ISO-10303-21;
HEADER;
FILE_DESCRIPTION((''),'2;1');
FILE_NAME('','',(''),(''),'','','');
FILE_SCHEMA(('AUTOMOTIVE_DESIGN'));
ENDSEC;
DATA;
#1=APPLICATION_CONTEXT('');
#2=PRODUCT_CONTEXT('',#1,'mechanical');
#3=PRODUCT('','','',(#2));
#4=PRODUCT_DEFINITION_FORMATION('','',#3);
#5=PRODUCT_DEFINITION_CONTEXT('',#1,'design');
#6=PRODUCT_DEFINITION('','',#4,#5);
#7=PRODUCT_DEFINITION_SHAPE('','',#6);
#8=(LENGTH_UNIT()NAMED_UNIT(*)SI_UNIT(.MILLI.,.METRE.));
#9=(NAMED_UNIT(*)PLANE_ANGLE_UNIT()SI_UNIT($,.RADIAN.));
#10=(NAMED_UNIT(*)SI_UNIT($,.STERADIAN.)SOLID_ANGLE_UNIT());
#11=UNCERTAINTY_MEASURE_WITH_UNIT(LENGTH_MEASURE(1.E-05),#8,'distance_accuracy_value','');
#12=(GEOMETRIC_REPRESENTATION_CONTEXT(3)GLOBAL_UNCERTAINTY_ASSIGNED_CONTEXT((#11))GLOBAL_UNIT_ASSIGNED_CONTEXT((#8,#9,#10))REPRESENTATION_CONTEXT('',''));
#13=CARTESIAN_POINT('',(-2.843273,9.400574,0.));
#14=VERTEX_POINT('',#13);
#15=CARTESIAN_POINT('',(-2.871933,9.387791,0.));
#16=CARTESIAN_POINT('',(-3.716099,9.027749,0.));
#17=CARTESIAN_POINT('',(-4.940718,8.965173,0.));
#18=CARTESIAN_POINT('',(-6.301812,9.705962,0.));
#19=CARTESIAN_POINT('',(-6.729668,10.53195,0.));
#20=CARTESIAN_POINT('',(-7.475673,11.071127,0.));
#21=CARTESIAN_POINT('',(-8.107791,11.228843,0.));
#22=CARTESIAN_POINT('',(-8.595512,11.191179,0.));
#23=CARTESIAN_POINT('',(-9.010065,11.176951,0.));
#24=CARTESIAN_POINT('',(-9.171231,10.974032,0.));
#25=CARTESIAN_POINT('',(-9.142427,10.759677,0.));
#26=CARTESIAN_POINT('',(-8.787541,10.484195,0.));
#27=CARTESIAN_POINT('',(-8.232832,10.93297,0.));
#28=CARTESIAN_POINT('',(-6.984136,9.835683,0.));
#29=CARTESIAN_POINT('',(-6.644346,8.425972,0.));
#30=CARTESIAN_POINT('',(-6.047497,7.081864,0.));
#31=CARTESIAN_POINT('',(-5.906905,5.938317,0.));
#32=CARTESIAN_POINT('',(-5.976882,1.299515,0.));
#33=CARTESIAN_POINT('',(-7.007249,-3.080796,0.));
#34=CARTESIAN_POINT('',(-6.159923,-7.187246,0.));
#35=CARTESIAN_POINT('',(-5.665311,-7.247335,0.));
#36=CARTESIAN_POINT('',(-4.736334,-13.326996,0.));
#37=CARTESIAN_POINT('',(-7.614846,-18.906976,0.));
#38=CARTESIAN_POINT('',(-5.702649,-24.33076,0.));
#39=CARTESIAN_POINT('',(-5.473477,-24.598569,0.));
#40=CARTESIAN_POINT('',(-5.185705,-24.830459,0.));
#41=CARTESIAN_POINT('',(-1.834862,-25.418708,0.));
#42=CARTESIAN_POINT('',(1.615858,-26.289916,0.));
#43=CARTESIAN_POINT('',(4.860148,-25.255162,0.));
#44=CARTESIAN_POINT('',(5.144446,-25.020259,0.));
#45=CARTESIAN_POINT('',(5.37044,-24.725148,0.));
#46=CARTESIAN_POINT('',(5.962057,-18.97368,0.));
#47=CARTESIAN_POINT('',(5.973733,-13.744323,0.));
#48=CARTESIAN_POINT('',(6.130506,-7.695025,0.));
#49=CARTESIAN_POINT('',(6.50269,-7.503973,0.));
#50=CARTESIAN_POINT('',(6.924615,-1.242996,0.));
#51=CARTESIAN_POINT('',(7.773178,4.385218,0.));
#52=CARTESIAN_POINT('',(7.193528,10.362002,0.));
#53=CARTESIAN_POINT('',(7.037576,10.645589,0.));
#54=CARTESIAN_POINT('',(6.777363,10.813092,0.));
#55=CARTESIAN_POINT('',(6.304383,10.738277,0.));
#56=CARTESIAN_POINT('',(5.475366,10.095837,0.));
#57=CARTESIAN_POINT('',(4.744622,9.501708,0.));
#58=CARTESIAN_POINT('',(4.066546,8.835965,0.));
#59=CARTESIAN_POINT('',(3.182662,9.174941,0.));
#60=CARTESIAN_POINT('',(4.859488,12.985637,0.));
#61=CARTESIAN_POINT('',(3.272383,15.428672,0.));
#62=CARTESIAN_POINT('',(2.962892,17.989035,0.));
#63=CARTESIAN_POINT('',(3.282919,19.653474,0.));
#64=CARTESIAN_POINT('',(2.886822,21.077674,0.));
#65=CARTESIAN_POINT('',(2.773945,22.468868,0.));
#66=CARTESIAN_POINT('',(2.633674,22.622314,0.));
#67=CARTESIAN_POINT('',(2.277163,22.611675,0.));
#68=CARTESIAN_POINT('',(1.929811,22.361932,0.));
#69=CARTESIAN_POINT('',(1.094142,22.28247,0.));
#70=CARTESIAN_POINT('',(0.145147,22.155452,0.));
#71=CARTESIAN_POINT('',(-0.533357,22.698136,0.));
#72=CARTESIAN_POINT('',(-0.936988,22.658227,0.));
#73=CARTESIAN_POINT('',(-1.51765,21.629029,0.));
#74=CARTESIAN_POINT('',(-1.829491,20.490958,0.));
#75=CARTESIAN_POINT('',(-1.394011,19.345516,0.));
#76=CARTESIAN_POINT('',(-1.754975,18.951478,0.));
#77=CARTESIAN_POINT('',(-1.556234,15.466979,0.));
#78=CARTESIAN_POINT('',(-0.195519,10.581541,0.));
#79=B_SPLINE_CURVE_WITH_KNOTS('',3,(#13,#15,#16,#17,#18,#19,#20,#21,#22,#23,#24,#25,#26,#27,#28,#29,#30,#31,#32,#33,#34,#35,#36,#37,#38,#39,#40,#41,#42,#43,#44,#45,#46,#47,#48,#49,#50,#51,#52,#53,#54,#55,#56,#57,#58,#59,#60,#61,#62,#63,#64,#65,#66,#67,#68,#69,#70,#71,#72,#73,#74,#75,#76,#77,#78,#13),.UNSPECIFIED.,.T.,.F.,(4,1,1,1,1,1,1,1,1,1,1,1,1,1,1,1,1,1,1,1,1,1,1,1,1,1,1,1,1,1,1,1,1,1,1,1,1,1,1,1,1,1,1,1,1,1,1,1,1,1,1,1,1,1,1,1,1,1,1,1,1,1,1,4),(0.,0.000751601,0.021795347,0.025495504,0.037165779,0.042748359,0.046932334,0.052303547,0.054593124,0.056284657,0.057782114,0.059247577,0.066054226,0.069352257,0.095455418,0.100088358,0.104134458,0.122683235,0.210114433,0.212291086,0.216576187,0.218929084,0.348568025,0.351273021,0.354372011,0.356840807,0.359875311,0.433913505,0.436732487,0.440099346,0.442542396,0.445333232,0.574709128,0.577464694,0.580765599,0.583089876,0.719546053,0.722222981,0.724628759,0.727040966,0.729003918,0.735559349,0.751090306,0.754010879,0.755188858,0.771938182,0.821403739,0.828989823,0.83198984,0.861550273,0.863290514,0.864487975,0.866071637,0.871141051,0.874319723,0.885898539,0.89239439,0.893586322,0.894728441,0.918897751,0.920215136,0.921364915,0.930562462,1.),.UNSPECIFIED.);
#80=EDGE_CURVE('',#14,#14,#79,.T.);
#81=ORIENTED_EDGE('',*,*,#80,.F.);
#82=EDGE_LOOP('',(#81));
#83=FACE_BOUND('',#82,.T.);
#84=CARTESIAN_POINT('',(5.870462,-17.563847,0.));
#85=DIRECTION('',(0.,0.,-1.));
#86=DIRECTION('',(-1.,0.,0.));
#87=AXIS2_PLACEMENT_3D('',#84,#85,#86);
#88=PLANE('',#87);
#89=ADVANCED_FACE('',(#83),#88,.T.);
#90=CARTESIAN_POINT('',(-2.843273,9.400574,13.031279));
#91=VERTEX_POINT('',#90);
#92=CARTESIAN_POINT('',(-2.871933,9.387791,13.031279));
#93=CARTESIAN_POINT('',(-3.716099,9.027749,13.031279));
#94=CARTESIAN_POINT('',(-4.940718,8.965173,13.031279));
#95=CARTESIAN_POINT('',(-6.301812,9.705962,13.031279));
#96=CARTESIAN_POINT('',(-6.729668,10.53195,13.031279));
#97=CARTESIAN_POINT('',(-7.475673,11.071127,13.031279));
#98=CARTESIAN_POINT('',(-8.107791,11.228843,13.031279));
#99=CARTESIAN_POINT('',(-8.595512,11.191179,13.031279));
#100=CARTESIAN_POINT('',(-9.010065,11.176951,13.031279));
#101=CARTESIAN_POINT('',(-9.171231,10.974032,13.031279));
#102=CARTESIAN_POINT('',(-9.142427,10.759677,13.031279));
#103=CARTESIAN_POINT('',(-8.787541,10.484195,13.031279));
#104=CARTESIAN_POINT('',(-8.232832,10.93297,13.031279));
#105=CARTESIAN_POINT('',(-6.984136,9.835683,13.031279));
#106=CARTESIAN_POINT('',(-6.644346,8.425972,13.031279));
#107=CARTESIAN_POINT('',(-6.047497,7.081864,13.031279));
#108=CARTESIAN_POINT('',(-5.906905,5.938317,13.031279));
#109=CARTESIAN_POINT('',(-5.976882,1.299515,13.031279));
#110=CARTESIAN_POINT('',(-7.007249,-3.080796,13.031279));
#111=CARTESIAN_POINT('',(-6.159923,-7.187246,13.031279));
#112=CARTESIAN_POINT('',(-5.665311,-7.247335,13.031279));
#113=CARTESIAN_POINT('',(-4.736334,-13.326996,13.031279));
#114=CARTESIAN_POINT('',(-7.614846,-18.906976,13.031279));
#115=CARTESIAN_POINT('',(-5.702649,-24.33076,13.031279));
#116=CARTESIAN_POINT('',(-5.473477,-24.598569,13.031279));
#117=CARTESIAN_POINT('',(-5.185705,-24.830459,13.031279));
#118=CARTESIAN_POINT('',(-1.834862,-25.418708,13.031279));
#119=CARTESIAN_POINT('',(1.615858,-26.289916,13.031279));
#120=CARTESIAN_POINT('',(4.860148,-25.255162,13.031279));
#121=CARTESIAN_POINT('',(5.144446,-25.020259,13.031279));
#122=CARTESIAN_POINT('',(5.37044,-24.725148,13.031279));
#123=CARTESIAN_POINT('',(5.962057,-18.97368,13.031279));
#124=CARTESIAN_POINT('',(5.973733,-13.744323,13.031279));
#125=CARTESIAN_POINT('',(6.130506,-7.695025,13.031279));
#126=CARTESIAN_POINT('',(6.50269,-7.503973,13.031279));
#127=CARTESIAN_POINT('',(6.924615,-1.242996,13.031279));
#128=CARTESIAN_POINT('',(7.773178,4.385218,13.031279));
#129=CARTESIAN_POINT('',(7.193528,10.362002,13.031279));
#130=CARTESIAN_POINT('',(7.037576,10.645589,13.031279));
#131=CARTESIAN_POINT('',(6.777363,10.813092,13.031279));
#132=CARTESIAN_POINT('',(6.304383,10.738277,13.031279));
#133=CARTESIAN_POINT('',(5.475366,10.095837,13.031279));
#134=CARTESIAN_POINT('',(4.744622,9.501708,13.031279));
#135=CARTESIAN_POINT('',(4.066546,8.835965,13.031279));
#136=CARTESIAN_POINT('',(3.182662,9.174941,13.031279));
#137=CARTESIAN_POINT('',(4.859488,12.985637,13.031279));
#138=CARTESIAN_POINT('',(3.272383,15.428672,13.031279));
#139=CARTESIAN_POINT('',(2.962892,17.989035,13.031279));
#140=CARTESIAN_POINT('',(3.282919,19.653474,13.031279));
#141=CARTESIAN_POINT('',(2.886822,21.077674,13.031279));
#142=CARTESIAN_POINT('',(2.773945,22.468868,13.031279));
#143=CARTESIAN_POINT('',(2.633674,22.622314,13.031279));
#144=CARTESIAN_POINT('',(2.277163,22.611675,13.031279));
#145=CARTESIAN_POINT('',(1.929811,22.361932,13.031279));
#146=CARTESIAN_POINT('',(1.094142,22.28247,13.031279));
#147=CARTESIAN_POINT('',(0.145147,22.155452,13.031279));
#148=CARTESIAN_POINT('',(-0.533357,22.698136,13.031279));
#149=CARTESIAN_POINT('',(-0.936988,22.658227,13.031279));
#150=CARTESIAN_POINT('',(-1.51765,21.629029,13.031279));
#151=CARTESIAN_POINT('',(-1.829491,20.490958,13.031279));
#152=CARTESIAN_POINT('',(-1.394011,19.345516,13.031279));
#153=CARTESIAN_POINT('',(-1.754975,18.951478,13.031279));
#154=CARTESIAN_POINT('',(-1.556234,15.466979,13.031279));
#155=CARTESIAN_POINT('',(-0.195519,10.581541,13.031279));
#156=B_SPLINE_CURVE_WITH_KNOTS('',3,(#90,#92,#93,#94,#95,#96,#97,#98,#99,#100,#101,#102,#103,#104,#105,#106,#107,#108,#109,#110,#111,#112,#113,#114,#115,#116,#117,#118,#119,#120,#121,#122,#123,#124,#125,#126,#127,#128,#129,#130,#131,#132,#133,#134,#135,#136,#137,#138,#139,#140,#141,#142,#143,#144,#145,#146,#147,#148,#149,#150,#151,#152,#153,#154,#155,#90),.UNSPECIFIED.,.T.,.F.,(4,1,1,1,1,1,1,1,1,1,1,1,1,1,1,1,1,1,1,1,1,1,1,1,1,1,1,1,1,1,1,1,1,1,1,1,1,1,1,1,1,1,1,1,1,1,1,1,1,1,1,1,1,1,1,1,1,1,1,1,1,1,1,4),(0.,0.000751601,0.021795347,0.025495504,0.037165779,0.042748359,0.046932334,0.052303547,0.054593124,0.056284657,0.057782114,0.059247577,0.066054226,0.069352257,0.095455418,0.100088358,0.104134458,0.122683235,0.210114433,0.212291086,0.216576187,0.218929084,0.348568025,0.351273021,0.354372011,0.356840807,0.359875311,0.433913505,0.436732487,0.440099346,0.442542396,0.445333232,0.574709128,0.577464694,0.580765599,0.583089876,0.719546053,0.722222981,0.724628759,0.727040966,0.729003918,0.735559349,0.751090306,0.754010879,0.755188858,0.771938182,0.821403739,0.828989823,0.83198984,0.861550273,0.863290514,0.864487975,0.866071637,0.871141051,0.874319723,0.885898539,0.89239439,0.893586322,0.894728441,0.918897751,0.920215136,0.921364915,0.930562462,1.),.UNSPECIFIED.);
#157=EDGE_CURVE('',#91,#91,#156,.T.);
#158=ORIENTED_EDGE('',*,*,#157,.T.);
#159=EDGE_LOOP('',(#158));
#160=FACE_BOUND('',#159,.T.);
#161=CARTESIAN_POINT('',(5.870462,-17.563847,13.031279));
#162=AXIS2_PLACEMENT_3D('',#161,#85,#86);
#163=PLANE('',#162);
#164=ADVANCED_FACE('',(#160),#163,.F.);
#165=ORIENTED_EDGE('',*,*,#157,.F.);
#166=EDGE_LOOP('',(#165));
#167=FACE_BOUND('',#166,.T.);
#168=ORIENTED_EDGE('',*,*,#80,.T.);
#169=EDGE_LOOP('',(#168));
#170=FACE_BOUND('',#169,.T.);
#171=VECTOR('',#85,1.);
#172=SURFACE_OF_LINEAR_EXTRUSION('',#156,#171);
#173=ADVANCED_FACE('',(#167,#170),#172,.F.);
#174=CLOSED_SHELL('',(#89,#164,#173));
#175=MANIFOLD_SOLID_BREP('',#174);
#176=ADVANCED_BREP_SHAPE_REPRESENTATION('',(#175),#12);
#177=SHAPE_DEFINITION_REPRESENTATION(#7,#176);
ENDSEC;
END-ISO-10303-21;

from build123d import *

# Parameters (mm, degrees)
CADVIEW_CORE_EXTRUDE_DEPTH = 13.031278932


with BuildPart() as part:
    # CADView Core Profile → CADView Core Extrude (new body)
    with BuildSketch(Plane.XY):
        with BuildLine():
            add(Edge.make_bspline(
                [(-2.843273176, 9.40057428), (-0.19551906, 10.581540778), (-1.556233667, 15.466978521), (-1.754974623, 18.951478354), (-1.394010978, 19.345515772), (-1.829490989, 20.49095824), (-1.517650014, 21.629028961), (-0.936987808, 22.658226878), (-0.533357309, 22.698135572), (0.145146935, 22.155451652), (1.094141777, 22.282469804), (1.929810971, 22.361932043), (2.27716301, 22.611675044), (2.633674316, 22.622313833), (2.773945437, 22.468868061), (2.886821964, 21.077674032), (3.282919183, 19.653473525), (2.962891645, 17.98903535), (3.27238293, 15.428672154), (4.859488338, 12.985637258), (3.182662376, 9.1749408), (4.066546083, 8.835965419), (4.744621989, 9.501708041), (5.475365618, 10.095837228), (6.304383159, 10.738276735), (6.777362725, 10.813092223), (7.037576403, 10.645588799), (7.193528286, 10.362001657), (7.773177899, 4.385218353), (6.924615168, -1.242995647), (6.502690312, -7.503972543), (6.130506098, -7.695024895), (5.973732826, -13.744322509), (5.962056576, -18.97368016), (5.370440212, -24.725147669), (5.144445933, -25.020259438), (4.860147966, -25.255161603), (1.61585809, -26.289916038), (-1.834861992, -25.418708106), (-5.185704578, -24.830459418), (-5.473477066, -24.598569472), (-5.702649392, -24.330760458), (-7.6148459, -18.906975611), (-4.736334449, -13.326996106), (-5.665310785, -7.247335268), (-6.159922854, -7.187246029), (-7.007249058, -3.080796069), (-5.976881562, 1.299514662), (-5.906904598, 5.938317084), (-6.047496908, 7.081863794), (-6.644346103, 8.425972102), (-6.98413627, 9.835683125), (-8.232831602, 10.932970032), (-8.787540509, 10.484194738), (-9.142426675, 10.759676726), (-9.171230597, 10.9740323), (-9.010064501, 11.176950858), (-8.595512124, 11.191179274), (-8.10779076, 11.228842936), (-7.475672512, 11.071127457), (-6.729668358, 10.531949694), (-6.301812085, 9.705961693), (-4.940717787, 8.965173161), (-3.716099155, 9.027749199), (-2.8719328, 9.38779135), (-2.843273176, 9.40057428)],
                knots=[0, 0, 0, 0, 0.069437538, 0.078635085, 0.079784864, 0.081102249, 0.105271559, 0.106413678, 0.10760561, 0.114101461, 0.125680277, 0.128858949, 0.133928363, 0.135512025, 0.136709486, 0.138449727, 0.16801016, 0.171010177, 0.178596261, 0.228061818, 0.244811142, 0.245989121, 0.248909694, 0.264440651, 0.270996082, 0.272959034, 0.275371241, 0.277777019, 0.280453947, 0.416910124, 0.419234401, 0.422535306, 0.425290872, 0.554666768, 0.557457604, 0.559900654, 0.563267513, 0.566086495, 0.640124689, 0.643159193, 0.645627989, 0.648726979, 0.651431975, 0.781070916, 0.783423813, 0.787708914, 0.789885567, 0.877316765, 0.895865542, 0.899911642, 0.904544582, 0.930647743, 0.933945774, 0.940752423, 0.942217886, 0.943715343, 0.945406876, 0.947696453, 0.953067666, 0.957251641, 0.962834221, 0.974504496, 0.978204653, 0.999248399, 1, 1, 1, 1], degree=3))
        make_face()
    extrude(amount=CADVIEW_CORE_EXTRUDE_DEPTH)


solid = part.part
